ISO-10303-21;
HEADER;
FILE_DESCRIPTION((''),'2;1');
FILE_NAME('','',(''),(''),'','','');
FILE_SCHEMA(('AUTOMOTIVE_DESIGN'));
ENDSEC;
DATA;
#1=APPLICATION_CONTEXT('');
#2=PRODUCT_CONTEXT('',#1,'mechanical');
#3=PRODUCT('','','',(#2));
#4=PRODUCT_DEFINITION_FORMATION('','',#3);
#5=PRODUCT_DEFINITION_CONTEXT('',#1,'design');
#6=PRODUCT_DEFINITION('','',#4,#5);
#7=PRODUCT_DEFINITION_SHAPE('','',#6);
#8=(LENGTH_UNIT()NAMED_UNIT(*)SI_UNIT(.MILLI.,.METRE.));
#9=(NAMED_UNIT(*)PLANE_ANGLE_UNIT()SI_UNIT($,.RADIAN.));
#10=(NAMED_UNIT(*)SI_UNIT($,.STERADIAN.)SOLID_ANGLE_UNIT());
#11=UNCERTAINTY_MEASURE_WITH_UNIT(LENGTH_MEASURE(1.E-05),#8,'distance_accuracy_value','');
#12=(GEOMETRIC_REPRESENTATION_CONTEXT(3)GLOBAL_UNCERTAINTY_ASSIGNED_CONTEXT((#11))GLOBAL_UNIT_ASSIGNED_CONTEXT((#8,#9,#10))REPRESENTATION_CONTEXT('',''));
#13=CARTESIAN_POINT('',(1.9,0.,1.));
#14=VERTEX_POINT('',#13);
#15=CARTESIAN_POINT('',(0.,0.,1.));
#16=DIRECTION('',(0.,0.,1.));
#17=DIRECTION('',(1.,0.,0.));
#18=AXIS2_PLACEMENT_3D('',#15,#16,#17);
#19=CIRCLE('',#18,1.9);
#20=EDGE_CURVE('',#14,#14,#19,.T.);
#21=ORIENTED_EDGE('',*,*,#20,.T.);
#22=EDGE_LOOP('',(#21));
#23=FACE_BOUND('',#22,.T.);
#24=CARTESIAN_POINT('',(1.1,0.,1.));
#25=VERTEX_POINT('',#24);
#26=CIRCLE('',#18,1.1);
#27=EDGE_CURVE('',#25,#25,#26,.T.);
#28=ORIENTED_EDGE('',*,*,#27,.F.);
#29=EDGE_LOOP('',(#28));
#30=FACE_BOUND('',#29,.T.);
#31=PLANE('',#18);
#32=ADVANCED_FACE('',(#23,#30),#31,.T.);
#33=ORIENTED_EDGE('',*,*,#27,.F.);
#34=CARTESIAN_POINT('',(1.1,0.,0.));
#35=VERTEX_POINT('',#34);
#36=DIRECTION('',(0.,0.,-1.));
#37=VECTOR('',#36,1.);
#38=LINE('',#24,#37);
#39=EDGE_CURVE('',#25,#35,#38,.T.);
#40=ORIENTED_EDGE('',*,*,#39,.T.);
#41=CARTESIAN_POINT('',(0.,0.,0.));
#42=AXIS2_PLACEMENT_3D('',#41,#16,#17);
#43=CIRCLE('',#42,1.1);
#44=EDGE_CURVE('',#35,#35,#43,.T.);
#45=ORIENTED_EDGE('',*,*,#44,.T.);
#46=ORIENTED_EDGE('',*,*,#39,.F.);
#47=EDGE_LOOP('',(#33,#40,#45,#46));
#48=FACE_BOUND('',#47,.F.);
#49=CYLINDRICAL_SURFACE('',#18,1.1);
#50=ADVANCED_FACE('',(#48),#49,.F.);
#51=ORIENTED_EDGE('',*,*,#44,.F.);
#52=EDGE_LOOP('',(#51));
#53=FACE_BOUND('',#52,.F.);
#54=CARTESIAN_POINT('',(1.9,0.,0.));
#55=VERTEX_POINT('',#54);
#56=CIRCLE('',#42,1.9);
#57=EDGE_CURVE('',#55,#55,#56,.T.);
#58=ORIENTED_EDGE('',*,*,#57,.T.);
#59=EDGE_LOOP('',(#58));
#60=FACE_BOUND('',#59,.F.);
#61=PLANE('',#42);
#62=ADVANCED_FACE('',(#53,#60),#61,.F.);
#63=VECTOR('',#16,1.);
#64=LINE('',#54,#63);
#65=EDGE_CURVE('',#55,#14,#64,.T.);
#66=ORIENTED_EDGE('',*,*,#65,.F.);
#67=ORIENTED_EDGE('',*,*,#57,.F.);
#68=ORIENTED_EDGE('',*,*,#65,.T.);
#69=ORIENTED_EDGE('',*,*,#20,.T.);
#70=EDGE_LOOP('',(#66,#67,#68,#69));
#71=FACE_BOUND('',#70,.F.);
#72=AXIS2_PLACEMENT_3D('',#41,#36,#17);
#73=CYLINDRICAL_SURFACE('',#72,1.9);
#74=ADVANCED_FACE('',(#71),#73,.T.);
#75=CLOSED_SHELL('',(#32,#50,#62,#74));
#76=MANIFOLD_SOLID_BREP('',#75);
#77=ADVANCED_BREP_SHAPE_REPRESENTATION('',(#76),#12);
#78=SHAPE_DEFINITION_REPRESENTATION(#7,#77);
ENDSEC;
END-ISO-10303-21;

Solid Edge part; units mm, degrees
sketch "Sketch1" plane through (0, 0, 0) normal (0, 0, 1) x (1, 0, 0)
  circle A0 centre (0, 0) radius 1.9
  dimension "D1" = 3.8
extrude "Protrusion1" add sketch "Sketch1" along normal blind 1
sketch "Sketch2" plane through (0, 0, 1) normal (0, 0, 1) x (1, 0, 0)
  circle A0 centre (0, 0) radius 1.1
  dimension "D1" = 2.2
extrude "Cutout1" cut sketch "Sketch2" against normal through all
